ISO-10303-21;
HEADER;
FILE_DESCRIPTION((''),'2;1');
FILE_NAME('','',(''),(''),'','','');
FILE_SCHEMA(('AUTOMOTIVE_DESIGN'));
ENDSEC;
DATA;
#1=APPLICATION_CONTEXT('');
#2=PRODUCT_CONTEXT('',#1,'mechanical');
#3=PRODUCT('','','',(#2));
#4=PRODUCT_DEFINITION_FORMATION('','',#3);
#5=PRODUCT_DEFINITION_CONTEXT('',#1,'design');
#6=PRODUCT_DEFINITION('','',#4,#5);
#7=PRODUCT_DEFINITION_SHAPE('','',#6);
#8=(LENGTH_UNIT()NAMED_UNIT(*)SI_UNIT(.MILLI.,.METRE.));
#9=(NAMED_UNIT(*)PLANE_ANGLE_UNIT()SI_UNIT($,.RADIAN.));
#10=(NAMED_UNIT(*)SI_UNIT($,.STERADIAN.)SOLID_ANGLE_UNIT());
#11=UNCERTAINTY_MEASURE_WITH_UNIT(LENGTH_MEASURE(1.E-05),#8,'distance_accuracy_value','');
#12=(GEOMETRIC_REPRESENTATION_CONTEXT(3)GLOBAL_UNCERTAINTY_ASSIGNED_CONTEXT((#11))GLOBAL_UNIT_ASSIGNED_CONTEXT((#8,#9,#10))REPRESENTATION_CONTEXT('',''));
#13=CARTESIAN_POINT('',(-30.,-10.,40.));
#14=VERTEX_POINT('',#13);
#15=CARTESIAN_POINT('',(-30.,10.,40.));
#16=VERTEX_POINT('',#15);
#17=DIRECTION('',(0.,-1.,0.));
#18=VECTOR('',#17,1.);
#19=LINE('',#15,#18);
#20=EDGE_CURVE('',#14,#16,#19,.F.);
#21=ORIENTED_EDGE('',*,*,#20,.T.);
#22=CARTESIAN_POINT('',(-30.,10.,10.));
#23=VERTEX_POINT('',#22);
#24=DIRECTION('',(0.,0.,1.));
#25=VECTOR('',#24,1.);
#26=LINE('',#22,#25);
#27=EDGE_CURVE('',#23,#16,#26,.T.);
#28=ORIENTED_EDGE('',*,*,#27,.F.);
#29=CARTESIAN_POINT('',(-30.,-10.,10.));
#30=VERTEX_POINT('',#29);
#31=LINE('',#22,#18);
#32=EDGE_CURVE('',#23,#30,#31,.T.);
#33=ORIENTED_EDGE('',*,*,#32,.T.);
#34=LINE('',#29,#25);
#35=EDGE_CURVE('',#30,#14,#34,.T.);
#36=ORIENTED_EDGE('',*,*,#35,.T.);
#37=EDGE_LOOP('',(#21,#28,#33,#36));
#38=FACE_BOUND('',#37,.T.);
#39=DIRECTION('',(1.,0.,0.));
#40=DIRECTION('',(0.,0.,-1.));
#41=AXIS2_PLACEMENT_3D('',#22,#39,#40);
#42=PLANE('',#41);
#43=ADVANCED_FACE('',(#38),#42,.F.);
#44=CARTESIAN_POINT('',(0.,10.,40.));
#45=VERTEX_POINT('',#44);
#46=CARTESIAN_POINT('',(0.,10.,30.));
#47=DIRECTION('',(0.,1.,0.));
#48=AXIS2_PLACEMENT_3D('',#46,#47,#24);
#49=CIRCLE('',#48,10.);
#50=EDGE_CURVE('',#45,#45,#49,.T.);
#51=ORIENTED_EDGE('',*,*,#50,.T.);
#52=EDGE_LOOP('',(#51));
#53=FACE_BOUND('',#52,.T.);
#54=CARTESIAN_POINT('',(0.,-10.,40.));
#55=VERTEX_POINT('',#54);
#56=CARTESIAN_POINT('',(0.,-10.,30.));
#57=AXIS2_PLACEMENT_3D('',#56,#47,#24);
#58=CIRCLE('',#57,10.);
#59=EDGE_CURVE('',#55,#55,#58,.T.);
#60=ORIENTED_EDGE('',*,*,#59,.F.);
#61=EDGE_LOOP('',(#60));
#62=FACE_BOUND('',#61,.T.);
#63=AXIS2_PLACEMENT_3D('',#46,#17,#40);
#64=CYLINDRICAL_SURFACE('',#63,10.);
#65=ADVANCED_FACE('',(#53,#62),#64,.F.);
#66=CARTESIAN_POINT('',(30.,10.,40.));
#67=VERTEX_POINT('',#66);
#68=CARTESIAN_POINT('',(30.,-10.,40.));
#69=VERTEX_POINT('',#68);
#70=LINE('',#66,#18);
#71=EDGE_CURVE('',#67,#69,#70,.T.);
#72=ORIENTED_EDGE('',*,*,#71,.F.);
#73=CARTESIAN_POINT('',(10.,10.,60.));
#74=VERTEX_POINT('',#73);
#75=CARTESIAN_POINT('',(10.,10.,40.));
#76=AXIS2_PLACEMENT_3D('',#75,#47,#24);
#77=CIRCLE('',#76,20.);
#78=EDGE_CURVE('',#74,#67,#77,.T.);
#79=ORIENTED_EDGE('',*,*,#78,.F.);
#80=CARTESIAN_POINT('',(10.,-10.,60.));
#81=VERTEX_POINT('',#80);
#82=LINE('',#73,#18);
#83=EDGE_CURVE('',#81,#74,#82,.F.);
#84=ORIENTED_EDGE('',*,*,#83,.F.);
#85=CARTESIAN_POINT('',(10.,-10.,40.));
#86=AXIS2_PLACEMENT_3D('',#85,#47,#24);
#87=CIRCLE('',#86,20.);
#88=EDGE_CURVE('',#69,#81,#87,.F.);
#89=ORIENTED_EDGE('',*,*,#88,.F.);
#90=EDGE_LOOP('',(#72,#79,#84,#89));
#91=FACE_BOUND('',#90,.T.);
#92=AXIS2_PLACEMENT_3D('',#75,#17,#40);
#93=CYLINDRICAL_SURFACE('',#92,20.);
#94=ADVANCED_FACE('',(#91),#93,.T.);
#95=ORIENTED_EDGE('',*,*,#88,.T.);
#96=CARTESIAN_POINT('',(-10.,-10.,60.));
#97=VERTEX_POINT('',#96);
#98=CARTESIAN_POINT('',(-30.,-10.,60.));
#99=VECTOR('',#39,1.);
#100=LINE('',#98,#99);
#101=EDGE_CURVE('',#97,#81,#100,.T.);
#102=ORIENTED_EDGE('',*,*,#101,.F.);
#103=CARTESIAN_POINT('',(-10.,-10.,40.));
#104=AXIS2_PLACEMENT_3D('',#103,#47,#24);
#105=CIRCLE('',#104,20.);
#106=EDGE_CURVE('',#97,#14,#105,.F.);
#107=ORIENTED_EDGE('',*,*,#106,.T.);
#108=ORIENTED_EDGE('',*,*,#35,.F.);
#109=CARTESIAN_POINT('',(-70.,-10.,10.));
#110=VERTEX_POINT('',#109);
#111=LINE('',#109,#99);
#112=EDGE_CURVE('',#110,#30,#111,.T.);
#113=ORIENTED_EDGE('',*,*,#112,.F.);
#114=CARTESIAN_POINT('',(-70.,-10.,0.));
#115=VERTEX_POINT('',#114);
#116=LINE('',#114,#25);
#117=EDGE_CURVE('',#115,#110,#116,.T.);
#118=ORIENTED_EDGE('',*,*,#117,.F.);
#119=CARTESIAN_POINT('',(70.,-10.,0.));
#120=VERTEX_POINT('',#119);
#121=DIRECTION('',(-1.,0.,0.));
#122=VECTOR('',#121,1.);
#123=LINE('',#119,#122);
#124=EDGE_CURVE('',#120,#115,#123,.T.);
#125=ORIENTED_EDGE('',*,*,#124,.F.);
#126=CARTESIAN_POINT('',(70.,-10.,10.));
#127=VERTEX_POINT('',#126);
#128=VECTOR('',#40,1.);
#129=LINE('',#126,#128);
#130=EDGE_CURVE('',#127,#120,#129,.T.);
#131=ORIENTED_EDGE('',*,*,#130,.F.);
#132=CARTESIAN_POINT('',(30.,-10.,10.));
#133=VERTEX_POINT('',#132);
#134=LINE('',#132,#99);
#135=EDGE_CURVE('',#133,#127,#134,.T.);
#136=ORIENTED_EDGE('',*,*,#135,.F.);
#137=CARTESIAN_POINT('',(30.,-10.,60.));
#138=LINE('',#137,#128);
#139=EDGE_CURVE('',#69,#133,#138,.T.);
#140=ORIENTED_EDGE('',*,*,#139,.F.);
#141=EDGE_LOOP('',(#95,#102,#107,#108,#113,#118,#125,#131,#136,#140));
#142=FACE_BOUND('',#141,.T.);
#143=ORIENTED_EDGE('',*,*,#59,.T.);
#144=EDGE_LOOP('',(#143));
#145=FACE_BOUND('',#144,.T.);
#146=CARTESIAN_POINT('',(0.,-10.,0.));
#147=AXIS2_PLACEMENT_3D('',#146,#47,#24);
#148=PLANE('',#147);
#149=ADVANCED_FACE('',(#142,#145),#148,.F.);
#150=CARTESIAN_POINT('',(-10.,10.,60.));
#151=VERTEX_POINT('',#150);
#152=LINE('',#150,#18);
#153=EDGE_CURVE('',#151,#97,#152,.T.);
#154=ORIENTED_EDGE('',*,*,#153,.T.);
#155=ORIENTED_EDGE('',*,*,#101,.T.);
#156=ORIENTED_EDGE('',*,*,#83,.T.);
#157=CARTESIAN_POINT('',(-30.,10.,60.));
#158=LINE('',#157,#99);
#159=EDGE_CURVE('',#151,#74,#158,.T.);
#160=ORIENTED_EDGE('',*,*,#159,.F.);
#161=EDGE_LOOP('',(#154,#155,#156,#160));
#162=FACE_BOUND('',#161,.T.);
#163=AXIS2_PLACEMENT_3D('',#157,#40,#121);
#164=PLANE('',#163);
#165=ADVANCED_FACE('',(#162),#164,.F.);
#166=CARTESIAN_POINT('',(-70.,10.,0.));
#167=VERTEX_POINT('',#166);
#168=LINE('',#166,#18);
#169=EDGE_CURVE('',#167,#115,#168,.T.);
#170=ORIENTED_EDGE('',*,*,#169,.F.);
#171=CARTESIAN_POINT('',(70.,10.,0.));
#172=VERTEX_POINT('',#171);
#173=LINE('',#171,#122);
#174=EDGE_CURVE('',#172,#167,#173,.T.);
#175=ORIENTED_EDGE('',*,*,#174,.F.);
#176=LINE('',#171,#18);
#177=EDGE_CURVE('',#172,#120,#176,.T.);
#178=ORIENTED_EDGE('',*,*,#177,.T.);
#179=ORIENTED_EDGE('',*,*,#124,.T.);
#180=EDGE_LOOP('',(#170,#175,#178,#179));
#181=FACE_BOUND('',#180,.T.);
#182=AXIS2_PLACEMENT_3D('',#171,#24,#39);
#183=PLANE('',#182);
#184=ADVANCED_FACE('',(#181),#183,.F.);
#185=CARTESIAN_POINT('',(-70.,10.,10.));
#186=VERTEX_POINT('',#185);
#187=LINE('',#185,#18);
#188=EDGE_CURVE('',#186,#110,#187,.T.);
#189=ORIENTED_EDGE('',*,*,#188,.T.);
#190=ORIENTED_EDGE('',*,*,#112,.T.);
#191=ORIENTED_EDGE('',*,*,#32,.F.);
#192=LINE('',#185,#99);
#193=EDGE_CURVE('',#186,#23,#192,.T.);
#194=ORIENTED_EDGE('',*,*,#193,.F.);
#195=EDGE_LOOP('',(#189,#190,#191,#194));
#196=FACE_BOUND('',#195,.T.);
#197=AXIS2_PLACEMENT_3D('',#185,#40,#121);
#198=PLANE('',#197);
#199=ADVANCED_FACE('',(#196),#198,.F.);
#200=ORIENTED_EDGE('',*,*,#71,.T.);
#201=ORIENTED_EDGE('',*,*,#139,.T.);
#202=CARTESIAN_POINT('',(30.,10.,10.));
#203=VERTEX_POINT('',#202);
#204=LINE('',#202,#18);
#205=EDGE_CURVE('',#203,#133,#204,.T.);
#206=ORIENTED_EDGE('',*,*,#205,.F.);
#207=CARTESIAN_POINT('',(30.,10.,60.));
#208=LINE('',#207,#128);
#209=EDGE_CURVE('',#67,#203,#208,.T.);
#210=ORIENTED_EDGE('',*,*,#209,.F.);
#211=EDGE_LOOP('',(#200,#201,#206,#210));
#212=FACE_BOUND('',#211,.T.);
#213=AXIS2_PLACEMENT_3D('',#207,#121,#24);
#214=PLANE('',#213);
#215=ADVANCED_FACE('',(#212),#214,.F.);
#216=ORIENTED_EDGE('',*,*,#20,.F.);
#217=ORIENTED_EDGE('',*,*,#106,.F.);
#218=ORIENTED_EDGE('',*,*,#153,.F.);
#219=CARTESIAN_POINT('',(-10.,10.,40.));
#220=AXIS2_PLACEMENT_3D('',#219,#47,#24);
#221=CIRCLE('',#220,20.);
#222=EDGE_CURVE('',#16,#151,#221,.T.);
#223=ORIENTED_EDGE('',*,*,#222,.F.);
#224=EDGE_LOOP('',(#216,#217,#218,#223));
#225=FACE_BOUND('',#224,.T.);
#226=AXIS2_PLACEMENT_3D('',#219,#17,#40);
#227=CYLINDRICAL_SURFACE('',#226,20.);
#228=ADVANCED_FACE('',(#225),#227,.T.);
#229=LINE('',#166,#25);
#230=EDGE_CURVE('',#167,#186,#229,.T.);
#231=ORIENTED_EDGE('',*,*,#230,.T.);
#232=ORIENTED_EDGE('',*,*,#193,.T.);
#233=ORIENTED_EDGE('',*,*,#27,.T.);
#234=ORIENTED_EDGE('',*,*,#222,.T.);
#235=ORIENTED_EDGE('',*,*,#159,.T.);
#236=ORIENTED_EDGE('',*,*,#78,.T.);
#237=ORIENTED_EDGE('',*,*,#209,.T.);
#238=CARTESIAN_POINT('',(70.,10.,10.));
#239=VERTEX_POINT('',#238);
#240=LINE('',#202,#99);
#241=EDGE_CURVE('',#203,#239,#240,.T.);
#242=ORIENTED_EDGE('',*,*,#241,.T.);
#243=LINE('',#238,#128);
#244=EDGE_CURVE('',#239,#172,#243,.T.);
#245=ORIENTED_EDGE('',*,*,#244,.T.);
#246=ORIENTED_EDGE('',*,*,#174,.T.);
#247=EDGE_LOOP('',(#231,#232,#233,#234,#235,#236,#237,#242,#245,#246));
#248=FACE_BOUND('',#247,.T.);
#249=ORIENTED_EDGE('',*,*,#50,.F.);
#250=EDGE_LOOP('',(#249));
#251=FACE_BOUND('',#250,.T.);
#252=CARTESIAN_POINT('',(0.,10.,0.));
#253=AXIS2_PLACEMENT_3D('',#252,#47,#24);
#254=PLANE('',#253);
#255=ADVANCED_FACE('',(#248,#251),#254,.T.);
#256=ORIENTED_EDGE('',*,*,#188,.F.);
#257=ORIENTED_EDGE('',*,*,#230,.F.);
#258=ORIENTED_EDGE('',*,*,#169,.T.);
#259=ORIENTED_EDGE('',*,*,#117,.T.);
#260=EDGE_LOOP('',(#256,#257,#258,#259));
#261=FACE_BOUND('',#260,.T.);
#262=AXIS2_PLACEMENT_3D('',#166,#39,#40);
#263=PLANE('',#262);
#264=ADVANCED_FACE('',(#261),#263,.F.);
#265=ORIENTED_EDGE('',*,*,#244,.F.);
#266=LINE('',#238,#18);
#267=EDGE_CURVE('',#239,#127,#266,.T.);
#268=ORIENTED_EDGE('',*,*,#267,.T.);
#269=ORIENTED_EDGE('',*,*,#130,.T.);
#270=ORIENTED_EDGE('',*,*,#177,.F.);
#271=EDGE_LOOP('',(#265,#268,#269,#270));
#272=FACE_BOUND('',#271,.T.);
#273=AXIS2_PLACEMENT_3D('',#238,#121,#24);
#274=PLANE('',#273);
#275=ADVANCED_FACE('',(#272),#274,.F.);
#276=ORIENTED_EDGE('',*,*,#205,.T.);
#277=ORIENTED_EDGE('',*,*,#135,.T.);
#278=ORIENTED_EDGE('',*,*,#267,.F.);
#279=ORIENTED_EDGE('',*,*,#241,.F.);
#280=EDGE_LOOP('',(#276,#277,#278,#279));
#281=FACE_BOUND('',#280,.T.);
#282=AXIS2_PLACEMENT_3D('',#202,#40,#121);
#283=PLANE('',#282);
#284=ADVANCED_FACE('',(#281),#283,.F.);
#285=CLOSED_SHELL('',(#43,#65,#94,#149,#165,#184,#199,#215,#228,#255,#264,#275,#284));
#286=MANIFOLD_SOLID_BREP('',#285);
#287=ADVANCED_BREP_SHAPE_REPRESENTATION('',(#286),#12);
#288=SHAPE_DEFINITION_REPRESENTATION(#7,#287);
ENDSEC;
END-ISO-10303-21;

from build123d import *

# Parameters (mm, degrees)
SKETCH1_R           = 10
BOSS_EXTRUDE1_DEPTH = 10
FILLET1_R           = 20


with BuildPart() as part:
    # Sketch1 → Boss-Extrude1 (new, symmetric)
    with BuildSketch(Plane(origin=(0, 0, 0), x_dir=(-1, 0, 0), z_dir=(0, 1, 0))):
        Polygon((-70, 0), (70, 0), (70, 10), (30, 10), (30, 60), (-30, 60), (-30, 10), (-70, 10), align=None)
        with Locations(Location((0, 30, 0), (0, 0, 90))):
            Circle(SKETCH1_R, mode=Mode.SUBTRACT)
    extrude(amount=BOSS_EXTRUDE1_DEPTH, both=True)

    # Fillet1
    fillet1_edges = [part.edges().sort_by_distance(p)[0] for p in [
        (30, 0, 60),
        (-30, 0, 60),
    ]]
    fillet(fillet1_edges, radius=FILLET1_R)


solid = part.part
